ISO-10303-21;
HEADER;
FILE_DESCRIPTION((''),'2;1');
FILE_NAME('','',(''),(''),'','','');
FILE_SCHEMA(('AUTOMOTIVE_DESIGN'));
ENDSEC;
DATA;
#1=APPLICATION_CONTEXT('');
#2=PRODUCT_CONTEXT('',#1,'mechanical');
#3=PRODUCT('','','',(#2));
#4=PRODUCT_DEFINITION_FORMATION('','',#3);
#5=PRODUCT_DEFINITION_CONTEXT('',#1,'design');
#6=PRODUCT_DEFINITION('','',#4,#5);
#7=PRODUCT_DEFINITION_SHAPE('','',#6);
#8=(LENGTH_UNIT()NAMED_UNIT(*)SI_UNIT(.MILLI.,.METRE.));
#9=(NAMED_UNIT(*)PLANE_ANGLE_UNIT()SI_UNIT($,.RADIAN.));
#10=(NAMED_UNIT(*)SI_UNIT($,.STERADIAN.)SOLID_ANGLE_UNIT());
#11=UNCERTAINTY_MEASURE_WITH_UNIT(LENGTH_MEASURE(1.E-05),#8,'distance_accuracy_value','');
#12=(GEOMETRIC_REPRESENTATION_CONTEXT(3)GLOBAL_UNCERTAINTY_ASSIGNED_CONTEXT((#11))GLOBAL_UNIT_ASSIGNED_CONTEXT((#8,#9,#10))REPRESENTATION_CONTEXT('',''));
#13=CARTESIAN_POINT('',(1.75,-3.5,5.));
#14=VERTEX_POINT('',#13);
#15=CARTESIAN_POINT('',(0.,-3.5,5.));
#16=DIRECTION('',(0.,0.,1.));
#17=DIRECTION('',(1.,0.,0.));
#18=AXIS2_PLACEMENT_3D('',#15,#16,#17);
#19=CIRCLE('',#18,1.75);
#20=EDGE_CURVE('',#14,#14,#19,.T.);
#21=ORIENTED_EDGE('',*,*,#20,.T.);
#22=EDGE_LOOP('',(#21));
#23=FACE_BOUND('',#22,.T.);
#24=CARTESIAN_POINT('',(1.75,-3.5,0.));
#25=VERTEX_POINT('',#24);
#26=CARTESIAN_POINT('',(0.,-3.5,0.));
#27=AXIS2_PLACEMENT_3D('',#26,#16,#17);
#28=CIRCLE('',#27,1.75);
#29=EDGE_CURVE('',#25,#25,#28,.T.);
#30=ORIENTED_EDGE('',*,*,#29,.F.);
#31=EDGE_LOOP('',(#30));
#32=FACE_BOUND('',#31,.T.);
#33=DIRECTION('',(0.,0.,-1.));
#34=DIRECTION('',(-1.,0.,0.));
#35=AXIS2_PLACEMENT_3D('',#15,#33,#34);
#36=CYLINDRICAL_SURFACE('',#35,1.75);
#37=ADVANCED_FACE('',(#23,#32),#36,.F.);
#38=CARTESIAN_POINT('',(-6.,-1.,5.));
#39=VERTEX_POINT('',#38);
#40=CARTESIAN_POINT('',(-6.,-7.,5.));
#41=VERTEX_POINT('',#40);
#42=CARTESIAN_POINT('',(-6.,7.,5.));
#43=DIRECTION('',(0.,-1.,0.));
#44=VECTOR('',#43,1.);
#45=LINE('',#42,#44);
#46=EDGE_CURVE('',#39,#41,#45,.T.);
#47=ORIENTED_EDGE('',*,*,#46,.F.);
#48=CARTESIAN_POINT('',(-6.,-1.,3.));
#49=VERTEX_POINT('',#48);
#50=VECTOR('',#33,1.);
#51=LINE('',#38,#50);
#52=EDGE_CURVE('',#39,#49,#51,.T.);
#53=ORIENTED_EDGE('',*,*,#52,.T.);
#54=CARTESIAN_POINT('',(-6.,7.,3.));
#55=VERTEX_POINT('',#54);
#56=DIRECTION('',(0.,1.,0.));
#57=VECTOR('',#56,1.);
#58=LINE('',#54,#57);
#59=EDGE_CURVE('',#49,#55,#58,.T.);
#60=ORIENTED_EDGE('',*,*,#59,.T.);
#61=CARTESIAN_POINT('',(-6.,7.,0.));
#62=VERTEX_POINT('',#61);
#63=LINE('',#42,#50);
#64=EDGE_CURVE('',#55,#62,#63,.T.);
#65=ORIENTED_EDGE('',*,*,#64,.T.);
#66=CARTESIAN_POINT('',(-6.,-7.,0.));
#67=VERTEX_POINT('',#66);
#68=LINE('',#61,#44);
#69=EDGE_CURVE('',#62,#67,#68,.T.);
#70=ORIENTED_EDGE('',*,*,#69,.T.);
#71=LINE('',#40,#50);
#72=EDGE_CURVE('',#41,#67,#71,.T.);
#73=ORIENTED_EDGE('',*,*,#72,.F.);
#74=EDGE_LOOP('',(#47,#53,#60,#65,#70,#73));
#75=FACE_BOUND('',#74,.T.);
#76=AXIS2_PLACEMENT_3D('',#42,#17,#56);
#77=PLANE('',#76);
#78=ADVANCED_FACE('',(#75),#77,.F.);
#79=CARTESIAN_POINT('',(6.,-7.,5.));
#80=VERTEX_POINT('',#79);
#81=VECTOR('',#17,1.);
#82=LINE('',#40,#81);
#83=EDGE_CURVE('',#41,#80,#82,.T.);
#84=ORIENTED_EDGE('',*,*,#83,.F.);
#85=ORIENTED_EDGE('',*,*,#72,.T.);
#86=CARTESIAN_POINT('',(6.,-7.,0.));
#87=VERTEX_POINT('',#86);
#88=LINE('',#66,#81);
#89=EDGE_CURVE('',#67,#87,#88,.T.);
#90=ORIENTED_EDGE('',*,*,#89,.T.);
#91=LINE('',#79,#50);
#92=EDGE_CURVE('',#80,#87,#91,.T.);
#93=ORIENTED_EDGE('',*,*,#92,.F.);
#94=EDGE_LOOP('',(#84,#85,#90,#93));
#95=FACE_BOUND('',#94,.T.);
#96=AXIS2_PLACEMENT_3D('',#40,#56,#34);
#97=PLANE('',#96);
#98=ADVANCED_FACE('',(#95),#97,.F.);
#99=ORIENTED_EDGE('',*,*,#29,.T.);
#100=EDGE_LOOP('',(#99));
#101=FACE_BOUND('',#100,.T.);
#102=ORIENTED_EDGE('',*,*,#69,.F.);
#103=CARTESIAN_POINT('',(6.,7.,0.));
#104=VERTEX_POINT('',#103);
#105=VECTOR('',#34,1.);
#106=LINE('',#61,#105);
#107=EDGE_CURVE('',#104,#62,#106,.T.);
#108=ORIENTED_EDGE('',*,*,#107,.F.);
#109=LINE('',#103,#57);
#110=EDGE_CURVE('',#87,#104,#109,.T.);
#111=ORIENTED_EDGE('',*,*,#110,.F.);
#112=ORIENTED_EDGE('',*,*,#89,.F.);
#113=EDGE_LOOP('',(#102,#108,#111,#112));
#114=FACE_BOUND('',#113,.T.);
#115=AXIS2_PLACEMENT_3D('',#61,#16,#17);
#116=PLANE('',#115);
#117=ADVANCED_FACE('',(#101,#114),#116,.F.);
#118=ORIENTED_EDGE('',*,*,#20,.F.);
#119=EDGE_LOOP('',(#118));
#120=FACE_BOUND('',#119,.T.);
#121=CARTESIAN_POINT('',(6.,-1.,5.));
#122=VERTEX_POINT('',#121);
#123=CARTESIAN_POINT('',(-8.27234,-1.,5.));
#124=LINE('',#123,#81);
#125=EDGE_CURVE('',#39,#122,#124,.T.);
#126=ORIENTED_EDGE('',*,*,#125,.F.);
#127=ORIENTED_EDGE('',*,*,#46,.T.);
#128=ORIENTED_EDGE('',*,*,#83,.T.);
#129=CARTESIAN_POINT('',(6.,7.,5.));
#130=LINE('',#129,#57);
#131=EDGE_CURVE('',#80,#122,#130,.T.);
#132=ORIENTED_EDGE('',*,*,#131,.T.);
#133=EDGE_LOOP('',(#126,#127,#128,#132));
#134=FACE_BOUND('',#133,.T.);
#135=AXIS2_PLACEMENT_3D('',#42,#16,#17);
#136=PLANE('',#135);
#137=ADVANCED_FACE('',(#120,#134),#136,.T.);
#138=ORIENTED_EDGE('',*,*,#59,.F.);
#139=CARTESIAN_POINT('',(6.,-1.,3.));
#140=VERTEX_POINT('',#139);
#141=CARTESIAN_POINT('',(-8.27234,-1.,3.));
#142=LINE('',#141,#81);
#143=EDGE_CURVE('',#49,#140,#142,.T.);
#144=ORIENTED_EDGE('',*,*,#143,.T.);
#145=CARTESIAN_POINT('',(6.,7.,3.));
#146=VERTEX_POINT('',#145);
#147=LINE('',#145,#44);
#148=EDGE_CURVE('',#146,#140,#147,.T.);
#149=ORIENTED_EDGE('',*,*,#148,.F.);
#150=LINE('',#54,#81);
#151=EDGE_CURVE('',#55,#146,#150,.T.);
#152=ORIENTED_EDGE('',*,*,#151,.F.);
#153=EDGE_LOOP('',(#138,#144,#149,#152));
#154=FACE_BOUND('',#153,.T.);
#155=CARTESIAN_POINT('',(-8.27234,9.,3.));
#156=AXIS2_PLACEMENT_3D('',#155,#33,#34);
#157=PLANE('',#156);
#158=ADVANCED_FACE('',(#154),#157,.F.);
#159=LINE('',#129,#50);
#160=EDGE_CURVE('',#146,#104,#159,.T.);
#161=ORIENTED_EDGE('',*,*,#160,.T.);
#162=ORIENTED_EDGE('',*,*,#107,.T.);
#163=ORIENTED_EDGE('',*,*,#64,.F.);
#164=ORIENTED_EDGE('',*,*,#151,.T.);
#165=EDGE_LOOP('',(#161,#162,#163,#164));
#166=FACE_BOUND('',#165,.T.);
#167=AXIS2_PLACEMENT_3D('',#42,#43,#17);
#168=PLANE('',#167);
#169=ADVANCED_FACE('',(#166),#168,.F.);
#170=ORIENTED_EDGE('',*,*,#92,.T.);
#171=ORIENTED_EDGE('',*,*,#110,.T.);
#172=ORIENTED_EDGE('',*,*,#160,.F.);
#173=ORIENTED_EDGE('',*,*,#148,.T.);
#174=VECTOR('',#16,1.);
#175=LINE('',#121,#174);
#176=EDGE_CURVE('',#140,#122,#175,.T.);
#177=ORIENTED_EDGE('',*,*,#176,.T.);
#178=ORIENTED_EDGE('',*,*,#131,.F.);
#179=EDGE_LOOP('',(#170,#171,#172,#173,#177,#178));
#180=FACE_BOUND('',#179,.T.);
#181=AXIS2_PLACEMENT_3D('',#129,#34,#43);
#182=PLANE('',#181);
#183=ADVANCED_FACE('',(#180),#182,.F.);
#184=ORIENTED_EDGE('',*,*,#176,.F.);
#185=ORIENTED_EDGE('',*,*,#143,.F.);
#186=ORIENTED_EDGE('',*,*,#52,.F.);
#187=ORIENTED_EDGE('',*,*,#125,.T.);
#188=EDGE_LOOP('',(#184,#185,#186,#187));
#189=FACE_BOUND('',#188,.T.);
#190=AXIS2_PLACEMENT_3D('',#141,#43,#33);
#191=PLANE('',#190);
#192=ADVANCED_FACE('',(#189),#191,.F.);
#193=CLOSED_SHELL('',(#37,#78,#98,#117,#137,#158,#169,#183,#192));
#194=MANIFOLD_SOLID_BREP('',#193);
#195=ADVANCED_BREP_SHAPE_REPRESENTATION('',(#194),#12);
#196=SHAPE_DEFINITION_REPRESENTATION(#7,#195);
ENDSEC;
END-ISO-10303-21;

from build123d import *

# Parameters (mm, degrees)
SKETCH_1_W          = 12
SKETCH_1_H          = 14
SKETCH_1_R          = 1.75
EXTRUDE_1_DEPTH     = 5
SKETCH_2_W          = 16.082841594
SKETCH_2_H          = 10
CUT_EXTRUDE_1_DEPTH = 2


with BuildPart() as part:
    # Эскиз1 → Вытянуть1 (new body)
    with BuildSketch(Plane.XY):
        Rectangle(SKETCH_1_W, SKETCH_1_H)
        with Locations((0, -3.5)):
            Circle(SKETCH_1_R, mode=Mode.SUBTRACT)
    extrude(amount=EXTRUDE_1_DEPTH)

    # Эскиз2 → Вырез-Вытянуть1 (cut)
    with BuildSketch(Plane.XY.offset(5)):
        with Locations((-0.230919178, 4)):
            Rectangle(SKETCH_2_W, SKETCH_2_H)
    extrude(amount=-CUT_EXTRUDE_1_DEPTH, mode=Mode.SUBTRACT)


solid = part.part
